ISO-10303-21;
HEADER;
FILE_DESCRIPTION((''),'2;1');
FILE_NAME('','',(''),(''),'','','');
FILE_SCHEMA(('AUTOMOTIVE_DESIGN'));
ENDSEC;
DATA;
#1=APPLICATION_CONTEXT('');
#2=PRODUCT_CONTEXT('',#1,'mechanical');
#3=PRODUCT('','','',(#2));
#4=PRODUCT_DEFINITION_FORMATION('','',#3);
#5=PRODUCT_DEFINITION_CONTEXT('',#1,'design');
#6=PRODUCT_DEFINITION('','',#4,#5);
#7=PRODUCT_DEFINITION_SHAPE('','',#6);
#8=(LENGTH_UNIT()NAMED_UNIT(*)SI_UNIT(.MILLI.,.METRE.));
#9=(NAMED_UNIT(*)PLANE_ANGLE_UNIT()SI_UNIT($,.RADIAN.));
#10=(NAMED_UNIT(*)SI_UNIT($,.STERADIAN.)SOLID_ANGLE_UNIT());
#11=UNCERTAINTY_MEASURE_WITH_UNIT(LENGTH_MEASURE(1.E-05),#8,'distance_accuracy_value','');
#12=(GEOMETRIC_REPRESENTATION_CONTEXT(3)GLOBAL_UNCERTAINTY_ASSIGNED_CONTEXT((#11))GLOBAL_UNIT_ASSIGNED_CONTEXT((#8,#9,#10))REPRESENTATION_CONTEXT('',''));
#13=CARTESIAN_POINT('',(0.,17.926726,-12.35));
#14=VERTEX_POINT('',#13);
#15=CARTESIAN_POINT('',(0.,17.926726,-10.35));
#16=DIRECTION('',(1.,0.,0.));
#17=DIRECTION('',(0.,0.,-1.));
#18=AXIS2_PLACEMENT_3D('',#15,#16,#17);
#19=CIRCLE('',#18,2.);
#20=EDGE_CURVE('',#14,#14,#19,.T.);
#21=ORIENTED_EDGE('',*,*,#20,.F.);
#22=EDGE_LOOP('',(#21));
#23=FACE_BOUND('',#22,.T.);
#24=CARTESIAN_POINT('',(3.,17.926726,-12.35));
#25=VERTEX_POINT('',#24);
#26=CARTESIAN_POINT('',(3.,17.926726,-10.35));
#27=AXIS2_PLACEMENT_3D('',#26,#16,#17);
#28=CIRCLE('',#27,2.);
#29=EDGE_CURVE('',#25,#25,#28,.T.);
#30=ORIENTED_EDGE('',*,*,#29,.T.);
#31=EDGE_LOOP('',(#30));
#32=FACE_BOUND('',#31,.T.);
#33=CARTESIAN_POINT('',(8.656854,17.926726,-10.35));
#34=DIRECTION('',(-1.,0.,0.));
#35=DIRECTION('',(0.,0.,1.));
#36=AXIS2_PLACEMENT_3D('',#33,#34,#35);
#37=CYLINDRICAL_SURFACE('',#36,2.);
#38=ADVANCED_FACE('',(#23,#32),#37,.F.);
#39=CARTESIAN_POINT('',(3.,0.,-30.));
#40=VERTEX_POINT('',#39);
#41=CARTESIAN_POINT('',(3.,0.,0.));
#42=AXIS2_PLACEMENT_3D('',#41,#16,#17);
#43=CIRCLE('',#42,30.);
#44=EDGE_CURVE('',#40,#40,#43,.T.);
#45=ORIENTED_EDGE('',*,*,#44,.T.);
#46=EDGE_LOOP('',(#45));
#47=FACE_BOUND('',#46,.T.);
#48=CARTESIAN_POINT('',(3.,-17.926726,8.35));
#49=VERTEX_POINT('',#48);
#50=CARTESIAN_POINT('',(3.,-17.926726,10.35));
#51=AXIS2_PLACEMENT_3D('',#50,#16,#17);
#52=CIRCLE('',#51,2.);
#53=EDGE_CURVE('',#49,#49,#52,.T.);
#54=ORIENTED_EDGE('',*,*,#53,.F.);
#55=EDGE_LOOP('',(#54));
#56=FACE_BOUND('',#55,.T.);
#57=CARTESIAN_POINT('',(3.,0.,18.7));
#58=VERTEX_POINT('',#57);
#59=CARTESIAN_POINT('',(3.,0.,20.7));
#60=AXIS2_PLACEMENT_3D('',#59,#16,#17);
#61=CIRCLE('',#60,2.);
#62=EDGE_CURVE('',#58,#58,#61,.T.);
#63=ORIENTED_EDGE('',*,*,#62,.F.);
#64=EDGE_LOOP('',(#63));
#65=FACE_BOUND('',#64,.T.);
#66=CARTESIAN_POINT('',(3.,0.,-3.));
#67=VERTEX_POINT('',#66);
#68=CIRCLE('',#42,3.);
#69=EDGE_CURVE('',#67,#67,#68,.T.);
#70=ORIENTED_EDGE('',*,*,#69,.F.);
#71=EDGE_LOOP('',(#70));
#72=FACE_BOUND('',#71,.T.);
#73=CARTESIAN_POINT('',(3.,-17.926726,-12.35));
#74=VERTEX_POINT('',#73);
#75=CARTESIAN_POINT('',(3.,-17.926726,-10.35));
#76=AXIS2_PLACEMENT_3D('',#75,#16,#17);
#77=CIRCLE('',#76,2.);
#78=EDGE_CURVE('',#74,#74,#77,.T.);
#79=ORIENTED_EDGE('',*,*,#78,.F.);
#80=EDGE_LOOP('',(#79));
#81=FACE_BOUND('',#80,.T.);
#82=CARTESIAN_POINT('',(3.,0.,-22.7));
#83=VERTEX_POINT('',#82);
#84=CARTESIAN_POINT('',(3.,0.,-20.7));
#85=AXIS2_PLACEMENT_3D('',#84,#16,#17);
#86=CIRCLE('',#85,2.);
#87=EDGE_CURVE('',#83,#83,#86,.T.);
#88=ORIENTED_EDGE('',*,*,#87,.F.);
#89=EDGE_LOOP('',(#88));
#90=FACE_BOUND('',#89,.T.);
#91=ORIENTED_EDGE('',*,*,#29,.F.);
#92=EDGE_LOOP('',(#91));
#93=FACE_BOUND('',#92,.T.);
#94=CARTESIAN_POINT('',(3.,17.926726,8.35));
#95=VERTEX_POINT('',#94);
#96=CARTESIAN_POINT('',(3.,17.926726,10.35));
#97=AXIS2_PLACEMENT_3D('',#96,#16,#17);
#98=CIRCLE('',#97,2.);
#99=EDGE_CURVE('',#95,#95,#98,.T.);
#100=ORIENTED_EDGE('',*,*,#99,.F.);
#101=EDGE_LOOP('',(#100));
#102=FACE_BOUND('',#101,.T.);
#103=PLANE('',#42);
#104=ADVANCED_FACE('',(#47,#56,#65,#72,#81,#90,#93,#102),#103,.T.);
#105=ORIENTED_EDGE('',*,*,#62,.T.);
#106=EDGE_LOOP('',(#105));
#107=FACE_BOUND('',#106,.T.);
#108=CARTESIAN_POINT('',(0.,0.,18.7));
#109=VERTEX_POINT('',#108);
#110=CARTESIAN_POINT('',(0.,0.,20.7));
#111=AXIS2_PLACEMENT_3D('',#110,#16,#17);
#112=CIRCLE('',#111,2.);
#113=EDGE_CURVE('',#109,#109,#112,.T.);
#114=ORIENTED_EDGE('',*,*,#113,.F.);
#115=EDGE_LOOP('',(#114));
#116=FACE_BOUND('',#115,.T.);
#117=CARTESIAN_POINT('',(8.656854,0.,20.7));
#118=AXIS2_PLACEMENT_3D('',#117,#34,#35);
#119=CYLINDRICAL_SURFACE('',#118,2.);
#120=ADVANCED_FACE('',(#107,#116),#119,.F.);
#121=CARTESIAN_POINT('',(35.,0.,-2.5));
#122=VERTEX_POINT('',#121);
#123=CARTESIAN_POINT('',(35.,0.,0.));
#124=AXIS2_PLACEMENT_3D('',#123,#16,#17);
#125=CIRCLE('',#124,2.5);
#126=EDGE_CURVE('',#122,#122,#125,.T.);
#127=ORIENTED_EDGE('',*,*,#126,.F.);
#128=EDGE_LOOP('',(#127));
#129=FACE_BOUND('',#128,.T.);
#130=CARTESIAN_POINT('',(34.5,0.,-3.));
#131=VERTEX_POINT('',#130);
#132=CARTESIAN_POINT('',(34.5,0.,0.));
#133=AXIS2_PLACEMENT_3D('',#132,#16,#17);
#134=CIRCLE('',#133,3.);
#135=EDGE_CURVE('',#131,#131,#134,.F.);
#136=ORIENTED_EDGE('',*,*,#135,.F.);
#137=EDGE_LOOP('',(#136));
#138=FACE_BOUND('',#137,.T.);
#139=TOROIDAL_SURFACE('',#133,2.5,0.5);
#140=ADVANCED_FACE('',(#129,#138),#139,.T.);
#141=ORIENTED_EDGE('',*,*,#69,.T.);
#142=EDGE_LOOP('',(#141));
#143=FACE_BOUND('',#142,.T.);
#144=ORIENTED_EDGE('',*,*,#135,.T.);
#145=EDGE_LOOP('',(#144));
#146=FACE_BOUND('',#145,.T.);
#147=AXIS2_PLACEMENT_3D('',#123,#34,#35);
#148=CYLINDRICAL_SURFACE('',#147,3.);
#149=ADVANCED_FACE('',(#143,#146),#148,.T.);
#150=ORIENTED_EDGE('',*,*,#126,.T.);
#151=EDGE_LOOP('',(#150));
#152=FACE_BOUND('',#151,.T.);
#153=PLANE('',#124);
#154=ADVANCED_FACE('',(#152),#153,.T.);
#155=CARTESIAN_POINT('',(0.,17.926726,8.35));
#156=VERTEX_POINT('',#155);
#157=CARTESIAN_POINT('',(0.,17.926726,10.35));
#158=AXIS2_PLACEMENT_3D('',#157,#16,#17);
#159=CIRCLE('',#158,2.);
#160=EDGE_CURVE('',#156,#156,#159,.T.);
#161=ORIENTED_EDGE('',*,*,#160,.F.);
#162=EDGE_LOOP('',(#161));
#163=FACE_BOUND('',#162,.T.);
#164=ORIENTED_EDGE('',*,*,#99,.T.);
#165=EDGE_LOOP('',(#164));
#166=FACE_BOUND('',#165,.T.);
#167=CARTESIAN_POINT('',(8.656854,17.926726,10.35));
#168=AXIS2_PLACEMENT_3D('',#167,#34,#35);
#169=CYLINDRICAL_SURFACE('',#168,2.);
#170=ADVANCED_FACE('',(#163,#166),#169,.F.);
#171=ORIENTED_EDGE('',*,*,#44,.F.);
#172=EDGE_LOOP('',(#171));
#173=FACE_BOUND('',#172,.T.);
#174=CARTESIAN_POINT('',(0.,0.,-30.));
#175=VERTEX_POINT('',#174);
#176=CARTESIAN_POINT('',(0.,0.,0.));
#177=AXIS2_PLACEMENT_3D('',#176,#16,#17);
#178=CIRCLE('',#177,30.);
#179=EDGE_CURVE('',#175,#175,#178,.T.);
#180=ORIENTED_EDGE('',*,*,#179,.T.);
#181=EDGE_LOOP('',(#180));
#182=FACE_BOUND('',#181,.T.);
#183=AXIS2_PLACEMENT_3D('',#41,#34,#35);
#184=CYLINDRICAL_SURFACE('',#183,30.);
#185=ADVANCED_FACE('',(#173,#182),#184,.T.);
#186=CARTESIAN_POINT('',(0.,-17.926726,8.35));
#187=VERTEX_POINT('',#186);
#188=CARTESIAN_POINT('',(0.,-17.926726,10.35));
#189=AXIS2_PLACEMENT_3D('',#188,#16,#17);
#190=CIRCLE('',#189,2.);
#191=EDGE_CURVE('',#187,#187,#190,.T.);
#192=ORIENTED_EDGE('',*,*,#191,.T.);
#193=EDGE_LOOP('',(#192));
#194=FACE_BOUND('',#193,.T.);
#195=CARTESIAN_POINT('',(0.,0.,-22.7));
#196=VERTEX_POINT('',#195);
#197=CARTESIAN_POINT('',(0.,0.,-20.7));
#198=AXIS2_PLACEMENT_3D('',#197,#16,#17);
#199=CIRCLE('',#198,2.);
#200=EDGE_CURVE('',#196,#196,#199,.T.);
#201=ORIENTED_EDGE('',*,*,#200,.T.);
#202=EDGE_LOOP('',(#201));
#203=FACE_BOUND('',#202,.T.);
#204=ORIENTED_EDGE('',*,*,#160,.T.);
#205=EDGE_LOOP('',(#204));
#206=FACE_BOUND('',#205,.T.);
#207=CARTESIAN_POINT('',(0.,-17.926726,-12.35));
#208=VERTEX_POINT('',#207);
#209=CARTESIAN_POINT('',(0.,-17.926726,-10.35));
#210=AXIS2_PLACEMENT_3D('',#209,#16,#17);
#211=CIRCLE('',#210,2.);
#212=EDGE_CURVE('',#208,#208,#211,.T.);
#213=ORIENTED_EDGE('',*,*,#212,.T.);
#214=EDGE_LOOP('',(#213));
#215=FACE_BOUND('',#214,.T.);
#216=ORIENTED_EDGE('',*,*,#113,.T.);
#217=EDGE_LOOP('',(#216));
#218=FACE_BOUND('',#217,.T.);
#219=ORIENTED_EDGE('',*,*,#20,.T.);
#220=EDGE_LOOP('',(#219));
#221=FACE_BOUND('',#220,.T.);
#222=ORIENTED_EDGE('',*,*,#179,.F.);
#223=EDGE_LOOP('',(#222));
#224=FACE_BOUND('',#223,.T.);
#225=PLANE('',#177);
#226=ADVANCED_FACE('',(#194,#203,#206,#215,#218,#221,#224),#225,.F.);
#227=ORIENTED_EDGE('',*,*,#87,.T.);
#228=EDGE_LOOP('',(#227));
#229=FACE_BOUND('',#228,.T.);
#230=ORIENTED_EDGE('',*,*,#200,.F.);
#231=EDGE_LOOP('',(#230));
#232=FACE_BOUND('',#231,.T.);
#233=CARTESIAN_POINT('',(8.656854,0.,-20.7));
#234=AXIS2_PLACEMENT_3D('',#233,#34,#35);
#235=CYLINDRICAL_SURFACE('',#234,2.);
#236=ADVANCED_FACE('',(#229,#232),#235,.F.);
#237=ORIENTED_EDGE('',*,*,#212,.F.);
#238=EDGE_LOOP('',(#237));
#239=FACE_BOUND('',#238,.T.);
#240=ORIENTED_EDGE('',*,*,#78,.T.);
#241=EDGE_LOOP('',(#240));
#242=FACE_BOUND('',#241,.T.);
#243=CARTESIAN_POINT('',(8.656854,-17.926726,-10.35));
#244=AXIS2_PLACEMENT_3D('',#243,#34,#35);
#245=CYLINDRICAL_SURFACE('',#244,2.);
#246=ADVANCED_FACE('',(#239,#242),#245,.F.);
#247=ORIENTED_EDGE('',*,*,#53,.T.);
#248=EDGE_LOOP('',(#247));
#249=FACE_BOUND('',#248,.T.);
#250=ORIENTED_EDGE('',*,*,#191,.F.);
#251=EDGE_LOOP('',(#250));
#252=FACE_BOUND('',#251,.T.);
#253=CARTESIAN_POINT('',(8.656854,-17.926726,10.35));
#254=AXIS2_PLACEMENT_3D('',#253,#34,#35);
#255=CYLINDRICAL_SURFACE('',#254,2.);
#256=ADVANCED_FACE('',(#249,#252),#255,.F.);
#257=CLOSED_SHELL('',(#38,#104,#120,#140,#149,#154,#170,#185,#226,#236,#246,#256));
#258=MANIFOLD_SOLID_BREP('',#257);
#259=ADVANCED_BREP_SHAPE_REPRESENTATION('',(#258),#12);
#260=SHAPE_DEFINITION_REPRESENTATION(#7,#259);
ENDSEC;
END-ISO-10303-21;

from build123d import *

# Parameters (mm, degrees)
SKETCH1_R           = 30
BOSS_EXTRUDE1_DEPTH = 3
SKETCH2_R           = 2
CUT_EXTRUDE1_DEPTH  = 3
SKETCH3_R           = 3
BOSS_EXTRUDE2_DEPTH = 32
FILLET1_R           = 0.5


with BuildPart() as part:
    # Sketch1 → Boss-Extrude1 (new body)
    with BuildSketch(Plane(origin=(0, 0, 0), x_dir=(0, 0, -1), z_dir=(1, 0, 0))):
        Circle(SKETCH1_R)
    extrude(amount=BOSS_EXTRUDE1_DEPTH)

    # Sketch2 → Cut-Extrude1 (cut)
    with BuildSketch(Plane(origin=(0, 0, 0), x_dir=(0, 0, -1), z_dir=(1, 0, 0))):
        with Locations((20.7, 0)):
            Circle(SKETCH2_R)
        with Locations((10.35, -17.926725858)):
            Circle(SKETCH2_R)
        with Locations((-10.35, -17.926725858)):
            Circle(SKETCH2_R)
        with Locations((-20.7, 0)):
            Circle(SKETCH2_R)
        with Locations((-10.35, 17.926725858)):
            Circle(SKETCH2_R)
        with Locations((10.35, 17.926725858)):
            Circle(SKETCH2_R)
    extrude(amount=CUT_EXTRUDE1_DEPTH, mode=Mode.SUBTRACT)

    # Sketch3 → Boss-Extrude2 (add)
    with BuildSketch(Plane(origin=(3, 0, 0), x_dir=(0, 0, -1), z_dir=(1, 0, 0))):
        Circle(SKETCH3_R)
    extrude(amount=BOSS_EXTRUDE2_DEPTH)

    # Fillet1
    fillet1_edges = [part.edges().sort_by_distance(p)[0] for p in [
        (35, 0, 3),
    ]]
    fillet(fillet1_edges, radius=FILLET1_R)


solid = part.part
